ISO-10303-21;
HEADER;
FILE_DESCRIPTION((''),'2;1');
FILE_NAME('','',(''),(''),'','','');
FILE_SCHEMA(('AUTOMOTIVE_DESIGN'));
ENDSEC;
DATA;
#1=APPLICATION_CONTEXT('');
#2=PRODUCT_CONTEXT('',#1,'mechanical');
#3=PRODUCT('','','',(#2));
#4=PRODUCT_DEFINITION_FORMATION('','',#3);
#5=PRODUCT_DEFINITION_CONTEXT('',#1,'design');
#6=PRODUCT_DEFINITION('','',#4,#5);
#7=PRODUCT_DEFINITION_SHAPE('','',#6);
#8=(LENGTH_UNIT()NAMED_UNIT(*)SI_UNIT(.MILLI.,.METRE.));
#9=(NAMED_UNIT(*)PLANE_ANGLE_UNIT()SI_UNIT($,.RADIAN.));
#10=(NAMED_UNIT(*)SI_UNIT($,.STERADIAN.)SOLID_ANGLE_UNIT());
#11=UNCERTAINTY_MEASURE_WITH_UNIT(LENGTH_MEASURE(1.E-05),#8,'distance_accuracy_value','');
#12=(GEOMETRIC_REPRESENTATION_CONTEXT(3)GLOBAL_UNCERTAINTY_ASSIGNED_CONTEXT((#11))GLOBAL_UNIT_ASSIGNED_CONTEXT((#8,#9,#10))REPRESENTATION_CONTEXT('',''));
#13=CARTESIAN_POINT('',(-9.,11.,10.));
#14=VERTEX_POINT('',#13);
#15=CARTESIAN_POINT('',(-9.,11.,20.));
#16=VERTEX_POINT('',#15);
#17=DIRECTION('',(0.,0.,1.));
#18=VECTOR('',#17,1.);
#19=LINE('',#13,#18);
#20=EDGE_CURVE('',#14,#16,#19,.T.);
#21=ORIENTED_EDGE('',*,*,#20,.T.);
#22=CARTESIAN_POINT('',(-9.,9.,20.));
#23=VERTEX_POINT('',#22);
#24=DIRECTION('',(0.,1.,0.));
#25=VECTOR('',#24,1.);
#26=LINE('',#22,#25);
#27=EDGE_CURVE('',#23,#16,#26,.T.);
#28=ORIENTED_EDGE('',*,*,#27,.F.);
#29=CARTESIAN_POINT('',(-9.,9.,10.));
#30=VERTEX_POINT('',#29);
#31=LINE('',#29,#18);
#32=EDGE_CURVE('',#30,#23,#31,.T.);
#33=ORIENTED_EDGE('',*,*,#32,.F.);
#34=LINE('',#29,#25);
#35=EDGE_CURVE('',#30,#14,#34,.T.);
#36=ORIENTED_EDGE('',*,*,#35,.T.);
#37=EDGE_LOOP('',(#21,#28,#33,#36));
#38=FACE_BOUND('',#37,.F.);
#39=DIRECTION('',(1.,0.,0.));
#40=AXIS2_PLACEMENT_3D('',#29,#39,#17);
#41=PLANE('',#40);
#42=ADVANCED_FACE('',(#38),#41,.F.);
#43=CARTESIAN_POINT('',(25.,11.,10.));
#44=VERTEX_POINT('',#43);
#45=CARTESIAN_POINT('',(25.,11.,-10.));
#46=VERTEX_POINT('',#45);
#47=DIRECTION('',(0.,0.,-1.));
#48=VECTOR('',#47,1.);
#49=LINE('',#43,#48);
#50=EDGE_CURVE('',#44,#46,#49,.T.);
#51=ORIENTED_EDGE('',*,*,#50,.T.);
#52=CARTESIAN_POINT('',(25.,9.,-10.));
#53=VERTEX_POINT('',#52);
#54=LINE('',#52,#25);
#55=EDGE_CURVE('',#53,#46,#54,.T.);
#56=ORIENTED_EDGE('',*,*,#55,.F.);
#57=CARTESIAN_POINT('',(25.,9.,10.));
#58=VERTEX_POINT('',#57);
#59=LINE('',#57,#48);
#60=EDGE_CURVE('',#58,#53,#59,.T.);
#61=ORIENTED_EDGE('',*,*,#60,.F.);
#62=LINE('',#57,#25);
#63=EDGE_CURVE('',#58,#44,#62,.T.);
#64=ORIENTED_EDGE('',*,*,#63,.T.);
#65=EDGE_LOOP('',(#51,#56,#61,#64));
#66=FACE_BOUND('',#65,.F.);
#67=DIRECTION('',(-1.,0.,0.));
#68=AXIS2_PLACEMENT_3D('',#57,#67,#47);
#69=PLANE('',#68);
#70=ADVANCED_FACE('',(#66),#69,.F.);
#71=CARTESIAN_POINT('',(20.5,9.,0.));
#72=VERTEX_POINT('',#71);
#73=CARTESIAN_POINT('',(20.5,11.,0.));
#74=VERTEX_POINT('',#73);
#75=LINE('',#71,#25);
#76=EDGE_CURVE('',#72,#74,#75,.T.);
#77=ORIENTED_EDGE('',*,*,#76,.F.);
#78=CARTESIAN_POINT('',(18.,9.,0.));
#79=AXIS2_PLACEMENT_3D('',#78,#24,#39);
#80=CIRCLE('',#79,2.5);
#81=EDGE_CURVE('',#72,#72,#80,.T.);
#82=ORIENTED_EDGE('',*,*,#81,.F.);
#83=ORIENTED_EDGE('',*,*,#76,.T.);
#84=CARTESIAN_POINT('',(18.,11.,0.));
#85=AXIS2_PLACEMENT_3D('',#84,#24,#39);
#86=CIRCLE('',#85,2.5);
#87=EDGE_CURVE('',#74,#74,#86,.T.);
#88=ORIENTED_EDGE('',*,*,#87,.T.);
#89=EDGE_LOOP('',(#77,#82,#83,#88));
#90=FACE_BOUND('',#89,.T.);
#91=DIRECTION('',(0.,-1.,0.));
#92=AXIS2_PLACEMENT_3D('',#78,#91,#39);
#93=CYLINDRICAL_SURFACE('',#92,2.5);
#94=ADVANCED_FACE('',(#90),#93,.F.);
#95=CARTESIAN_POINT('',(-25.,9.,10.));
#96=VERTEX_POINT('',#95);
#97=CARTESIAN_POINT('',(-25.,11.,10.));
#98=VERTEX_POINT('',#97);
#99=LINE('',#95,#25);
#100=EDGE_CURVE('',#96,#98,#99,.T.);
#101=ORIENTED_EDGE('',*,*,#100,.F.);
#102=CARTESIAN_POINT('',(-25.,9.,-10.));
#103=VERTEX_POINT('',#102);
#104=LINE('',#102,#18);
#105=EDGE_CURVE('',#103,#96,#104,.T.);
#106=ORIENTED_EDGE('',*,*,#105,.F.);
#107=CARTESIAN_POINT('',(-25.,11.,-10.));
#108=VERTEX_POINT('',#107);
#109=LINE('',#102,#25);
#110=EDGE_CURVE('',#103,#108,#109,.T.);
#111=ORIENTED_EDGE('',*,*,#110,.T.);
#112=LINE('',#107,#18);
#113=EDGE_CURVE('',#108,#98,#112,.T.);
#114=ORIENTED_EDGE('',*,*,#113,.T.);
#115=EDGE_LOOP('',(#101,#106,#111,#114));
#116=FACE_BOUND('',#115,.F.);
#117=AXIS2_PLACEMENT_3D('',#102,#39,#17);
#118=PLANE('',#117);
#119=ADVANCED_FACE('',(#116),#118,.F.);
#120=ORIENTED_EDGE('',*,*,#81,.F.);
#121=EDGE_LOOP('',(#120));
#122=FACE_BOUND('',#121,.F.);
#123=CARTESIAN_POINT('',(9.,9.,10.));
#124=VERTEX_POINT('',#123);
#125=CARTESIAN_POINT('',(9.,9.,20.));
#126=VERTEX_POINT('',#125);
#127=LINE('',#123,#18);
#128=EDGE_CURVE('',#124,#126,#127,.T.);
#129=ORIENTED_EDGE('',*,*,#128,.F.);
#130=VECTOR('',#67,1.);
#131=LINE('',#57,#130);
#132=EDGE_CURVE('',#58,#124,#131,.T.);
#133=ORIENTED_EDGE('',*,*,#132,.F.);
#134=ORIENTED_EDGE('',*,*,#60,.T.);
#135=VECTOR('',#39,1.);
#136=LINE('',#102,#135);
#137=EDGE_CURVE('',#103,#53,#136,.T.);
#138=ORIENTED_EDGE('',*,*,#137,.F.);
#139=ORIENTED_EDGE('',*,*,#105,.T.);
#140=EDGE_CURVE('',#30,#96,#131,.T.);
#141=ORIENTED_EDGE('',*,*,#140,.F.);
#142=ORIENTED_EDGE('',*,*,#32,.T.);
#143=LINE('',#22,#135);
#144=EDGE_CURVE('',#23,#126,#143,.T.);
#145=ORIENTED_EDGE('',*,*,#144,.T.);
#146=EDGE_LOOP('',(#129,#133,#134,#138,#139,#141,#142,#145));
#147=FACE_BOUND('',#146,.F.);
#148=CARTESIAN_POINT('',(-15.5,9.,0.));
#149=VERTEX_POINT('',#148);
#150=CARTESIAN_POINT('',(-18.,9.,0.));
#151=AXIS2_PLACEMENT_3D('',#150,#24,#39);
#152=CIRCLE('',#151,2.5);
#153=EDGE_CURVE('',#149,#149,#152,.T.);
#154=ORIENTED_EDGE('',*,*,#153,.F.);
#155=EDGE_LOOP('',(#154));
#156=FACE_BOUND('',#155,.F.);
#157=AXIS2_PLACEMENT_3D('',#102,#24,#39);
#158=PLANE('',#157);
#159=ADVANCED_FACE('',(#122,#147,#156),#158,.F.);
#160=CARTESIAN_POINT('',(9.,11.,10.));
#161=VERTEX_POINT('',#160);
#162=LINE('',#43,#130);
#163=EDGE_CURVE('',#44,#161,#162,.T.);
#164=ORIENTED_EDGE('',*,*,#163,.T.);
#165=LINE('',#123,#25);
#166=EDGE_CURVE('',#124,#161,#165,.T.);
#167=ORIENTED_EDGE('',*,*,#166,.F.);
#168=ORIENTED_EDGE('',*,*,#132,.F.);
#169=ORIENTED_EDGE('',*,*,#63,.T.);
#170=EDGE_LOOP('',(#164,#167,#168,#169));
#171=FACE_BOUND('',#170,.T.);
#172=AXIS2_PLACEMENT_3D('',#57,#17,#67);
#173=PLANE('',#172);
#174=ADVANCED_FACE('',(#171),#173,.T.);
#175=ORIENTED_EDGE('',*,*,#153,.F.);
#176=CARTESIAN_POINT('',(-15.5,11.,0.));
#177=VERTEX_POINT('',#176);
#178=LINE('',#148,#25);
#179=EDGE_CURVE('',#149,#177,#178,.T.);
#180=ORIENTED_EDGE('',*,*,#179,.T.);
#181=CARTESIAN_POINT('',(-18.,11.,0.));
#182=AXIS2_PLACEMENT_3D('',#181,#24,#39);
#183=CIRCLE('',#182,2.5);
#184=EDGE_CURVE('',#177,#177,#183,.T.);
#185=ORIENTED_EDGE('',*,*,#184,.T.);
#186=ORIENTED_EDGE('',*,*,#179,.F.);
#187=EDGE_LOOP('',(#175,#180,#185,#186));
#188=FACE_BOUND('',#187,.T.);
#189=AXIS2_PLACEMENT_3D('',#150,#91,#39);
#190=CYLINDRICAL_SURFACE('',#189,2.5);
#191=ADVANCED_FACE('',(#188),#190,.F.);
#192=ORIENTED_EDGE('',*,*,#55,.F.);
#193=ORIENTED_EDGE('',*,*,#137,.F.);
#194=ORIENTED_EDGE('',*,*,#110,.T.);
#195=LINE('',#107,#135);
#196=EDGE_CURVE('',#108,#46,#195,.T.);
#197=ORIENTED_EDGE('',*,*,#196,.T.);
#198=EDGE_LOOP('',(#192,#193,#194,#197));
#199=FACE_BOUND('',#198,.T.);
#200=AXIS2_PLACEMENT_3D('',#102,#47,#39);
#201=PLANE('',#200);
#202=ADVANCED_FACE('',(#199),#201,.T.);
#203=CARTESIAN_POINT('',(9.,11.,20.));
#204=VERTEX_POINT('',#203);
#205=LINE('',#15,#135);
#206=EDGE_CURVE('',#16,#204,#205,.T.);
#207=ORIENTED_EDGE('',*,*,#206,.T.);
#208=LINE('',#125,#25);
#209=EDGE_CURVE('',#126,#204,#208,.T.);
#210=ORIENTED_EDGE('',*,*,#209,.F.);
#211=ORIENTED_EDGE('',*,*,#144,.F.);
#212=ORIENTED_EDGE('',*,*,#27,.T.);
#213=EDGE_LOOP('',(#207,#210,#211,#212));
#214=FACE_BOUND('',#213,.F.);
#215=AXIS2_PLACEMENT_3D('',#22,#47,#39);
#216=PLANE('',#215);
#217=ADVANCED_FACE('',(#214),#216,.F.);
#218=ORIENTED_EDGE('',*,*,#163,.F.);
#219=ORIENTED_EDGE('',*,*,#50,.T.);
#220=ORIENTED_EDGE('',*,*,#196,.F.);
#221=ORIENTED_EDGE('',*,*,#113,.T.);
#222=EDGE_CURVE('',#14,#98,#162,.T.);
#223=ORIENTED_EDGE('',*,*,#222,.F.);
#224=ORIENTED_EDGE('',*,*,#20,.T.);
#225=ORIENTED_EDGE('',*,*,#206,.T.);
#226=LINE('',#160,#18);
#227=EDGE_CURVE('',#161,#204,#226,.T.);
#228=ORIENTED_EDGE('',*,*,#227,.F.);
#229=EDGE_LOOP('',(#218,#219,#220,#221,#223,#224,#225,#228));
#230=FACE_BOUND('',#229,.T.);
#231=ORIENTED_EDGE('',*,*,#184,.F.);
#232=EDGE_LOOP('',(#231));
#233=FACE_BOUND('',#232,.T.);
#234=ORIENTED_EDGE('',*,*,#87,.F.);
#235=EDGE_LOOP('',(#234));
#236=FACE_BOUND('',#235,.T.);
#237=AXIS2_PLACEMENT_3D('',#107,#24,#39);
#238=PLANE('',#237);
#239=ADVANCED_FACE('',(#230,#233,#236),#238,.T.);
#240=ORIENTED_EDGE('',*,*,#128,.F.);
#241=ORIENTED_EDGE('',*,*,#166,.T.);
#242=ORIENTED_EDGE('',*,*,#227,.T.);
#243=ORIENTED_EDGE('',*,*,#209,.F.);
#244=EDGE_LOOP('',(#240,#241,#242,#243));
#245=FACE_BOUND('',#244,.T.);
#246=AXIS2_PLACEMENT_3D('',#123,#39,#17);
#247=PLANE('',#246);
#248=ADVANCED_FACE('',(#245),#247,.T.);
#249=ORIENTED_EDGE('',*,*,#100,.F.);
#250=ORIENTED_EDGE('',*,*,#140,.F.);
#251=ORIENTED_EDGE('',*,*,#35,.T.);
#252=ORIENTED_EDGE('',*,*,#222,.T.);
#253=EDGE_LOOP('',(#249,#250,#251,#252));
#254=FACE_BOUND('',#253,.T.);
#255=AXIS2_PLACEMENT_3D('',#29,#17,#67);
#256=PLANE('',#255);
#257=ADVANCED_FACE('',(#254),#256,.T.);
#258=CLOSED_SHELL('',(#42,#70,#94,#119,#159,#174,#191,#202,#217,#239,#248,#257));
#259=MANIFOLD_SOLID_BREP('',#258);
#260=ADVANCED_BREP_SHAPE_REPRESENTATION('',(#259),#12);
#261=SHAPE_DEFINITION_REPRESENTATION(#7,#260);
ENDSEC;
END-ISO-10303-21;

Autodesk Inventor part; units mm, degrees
ref_plane "YZ Plane" through (0, 0, 0) normal (1, 0, 0) x (0, 1, 0)
ref_plane "XZ Plane" through (0, 0, 0) normal (0, 1, 0) x (-1, 0, 0)
ref_plane "Work Plane1" through (-25, 9, -10) normal (0, 1, 0) x (1, 0, 0)
sketch "Sketch1" plane through (-25, 9, -10) normal (0, 1, 0) x (1, 0, 0)
  line L0 (0, 0) -> (0, -20) projected
  line L1 (50, -20) -> (50, 0) projected
  line L2 (0, 0) -> (50, 0)
  line L3 (50, 0) -> (50, -20)
  line L4 (50, -20) -> (0, -20)
  line L5 (0, -20) -> (0, 0)
  line L6 (34, -20) -> (34, -30) projected
  line L7 (16, -30) -> (34, -30) projected
  line L8 (34, -20) -> (16, -20)
  line L9 (16, -20) -> (16, -30)
  line L10 (16, -30) -> (34, -30)
  line L11 (34, -30) -> (34, -20)
  circle A0 centre (7, -10) radius 2.5 projected
  circle A1 centre (7, -10) radius 2.5
  circle A2 centre (43, -10) radius 2.5 projected
  circle A3 centre (43, -10) radius 2.5
  point P0 (25, -10)
extrude "Extrusion1" add sketch "Sketch1" along normal blind 2
properties part number "gps_lid"
